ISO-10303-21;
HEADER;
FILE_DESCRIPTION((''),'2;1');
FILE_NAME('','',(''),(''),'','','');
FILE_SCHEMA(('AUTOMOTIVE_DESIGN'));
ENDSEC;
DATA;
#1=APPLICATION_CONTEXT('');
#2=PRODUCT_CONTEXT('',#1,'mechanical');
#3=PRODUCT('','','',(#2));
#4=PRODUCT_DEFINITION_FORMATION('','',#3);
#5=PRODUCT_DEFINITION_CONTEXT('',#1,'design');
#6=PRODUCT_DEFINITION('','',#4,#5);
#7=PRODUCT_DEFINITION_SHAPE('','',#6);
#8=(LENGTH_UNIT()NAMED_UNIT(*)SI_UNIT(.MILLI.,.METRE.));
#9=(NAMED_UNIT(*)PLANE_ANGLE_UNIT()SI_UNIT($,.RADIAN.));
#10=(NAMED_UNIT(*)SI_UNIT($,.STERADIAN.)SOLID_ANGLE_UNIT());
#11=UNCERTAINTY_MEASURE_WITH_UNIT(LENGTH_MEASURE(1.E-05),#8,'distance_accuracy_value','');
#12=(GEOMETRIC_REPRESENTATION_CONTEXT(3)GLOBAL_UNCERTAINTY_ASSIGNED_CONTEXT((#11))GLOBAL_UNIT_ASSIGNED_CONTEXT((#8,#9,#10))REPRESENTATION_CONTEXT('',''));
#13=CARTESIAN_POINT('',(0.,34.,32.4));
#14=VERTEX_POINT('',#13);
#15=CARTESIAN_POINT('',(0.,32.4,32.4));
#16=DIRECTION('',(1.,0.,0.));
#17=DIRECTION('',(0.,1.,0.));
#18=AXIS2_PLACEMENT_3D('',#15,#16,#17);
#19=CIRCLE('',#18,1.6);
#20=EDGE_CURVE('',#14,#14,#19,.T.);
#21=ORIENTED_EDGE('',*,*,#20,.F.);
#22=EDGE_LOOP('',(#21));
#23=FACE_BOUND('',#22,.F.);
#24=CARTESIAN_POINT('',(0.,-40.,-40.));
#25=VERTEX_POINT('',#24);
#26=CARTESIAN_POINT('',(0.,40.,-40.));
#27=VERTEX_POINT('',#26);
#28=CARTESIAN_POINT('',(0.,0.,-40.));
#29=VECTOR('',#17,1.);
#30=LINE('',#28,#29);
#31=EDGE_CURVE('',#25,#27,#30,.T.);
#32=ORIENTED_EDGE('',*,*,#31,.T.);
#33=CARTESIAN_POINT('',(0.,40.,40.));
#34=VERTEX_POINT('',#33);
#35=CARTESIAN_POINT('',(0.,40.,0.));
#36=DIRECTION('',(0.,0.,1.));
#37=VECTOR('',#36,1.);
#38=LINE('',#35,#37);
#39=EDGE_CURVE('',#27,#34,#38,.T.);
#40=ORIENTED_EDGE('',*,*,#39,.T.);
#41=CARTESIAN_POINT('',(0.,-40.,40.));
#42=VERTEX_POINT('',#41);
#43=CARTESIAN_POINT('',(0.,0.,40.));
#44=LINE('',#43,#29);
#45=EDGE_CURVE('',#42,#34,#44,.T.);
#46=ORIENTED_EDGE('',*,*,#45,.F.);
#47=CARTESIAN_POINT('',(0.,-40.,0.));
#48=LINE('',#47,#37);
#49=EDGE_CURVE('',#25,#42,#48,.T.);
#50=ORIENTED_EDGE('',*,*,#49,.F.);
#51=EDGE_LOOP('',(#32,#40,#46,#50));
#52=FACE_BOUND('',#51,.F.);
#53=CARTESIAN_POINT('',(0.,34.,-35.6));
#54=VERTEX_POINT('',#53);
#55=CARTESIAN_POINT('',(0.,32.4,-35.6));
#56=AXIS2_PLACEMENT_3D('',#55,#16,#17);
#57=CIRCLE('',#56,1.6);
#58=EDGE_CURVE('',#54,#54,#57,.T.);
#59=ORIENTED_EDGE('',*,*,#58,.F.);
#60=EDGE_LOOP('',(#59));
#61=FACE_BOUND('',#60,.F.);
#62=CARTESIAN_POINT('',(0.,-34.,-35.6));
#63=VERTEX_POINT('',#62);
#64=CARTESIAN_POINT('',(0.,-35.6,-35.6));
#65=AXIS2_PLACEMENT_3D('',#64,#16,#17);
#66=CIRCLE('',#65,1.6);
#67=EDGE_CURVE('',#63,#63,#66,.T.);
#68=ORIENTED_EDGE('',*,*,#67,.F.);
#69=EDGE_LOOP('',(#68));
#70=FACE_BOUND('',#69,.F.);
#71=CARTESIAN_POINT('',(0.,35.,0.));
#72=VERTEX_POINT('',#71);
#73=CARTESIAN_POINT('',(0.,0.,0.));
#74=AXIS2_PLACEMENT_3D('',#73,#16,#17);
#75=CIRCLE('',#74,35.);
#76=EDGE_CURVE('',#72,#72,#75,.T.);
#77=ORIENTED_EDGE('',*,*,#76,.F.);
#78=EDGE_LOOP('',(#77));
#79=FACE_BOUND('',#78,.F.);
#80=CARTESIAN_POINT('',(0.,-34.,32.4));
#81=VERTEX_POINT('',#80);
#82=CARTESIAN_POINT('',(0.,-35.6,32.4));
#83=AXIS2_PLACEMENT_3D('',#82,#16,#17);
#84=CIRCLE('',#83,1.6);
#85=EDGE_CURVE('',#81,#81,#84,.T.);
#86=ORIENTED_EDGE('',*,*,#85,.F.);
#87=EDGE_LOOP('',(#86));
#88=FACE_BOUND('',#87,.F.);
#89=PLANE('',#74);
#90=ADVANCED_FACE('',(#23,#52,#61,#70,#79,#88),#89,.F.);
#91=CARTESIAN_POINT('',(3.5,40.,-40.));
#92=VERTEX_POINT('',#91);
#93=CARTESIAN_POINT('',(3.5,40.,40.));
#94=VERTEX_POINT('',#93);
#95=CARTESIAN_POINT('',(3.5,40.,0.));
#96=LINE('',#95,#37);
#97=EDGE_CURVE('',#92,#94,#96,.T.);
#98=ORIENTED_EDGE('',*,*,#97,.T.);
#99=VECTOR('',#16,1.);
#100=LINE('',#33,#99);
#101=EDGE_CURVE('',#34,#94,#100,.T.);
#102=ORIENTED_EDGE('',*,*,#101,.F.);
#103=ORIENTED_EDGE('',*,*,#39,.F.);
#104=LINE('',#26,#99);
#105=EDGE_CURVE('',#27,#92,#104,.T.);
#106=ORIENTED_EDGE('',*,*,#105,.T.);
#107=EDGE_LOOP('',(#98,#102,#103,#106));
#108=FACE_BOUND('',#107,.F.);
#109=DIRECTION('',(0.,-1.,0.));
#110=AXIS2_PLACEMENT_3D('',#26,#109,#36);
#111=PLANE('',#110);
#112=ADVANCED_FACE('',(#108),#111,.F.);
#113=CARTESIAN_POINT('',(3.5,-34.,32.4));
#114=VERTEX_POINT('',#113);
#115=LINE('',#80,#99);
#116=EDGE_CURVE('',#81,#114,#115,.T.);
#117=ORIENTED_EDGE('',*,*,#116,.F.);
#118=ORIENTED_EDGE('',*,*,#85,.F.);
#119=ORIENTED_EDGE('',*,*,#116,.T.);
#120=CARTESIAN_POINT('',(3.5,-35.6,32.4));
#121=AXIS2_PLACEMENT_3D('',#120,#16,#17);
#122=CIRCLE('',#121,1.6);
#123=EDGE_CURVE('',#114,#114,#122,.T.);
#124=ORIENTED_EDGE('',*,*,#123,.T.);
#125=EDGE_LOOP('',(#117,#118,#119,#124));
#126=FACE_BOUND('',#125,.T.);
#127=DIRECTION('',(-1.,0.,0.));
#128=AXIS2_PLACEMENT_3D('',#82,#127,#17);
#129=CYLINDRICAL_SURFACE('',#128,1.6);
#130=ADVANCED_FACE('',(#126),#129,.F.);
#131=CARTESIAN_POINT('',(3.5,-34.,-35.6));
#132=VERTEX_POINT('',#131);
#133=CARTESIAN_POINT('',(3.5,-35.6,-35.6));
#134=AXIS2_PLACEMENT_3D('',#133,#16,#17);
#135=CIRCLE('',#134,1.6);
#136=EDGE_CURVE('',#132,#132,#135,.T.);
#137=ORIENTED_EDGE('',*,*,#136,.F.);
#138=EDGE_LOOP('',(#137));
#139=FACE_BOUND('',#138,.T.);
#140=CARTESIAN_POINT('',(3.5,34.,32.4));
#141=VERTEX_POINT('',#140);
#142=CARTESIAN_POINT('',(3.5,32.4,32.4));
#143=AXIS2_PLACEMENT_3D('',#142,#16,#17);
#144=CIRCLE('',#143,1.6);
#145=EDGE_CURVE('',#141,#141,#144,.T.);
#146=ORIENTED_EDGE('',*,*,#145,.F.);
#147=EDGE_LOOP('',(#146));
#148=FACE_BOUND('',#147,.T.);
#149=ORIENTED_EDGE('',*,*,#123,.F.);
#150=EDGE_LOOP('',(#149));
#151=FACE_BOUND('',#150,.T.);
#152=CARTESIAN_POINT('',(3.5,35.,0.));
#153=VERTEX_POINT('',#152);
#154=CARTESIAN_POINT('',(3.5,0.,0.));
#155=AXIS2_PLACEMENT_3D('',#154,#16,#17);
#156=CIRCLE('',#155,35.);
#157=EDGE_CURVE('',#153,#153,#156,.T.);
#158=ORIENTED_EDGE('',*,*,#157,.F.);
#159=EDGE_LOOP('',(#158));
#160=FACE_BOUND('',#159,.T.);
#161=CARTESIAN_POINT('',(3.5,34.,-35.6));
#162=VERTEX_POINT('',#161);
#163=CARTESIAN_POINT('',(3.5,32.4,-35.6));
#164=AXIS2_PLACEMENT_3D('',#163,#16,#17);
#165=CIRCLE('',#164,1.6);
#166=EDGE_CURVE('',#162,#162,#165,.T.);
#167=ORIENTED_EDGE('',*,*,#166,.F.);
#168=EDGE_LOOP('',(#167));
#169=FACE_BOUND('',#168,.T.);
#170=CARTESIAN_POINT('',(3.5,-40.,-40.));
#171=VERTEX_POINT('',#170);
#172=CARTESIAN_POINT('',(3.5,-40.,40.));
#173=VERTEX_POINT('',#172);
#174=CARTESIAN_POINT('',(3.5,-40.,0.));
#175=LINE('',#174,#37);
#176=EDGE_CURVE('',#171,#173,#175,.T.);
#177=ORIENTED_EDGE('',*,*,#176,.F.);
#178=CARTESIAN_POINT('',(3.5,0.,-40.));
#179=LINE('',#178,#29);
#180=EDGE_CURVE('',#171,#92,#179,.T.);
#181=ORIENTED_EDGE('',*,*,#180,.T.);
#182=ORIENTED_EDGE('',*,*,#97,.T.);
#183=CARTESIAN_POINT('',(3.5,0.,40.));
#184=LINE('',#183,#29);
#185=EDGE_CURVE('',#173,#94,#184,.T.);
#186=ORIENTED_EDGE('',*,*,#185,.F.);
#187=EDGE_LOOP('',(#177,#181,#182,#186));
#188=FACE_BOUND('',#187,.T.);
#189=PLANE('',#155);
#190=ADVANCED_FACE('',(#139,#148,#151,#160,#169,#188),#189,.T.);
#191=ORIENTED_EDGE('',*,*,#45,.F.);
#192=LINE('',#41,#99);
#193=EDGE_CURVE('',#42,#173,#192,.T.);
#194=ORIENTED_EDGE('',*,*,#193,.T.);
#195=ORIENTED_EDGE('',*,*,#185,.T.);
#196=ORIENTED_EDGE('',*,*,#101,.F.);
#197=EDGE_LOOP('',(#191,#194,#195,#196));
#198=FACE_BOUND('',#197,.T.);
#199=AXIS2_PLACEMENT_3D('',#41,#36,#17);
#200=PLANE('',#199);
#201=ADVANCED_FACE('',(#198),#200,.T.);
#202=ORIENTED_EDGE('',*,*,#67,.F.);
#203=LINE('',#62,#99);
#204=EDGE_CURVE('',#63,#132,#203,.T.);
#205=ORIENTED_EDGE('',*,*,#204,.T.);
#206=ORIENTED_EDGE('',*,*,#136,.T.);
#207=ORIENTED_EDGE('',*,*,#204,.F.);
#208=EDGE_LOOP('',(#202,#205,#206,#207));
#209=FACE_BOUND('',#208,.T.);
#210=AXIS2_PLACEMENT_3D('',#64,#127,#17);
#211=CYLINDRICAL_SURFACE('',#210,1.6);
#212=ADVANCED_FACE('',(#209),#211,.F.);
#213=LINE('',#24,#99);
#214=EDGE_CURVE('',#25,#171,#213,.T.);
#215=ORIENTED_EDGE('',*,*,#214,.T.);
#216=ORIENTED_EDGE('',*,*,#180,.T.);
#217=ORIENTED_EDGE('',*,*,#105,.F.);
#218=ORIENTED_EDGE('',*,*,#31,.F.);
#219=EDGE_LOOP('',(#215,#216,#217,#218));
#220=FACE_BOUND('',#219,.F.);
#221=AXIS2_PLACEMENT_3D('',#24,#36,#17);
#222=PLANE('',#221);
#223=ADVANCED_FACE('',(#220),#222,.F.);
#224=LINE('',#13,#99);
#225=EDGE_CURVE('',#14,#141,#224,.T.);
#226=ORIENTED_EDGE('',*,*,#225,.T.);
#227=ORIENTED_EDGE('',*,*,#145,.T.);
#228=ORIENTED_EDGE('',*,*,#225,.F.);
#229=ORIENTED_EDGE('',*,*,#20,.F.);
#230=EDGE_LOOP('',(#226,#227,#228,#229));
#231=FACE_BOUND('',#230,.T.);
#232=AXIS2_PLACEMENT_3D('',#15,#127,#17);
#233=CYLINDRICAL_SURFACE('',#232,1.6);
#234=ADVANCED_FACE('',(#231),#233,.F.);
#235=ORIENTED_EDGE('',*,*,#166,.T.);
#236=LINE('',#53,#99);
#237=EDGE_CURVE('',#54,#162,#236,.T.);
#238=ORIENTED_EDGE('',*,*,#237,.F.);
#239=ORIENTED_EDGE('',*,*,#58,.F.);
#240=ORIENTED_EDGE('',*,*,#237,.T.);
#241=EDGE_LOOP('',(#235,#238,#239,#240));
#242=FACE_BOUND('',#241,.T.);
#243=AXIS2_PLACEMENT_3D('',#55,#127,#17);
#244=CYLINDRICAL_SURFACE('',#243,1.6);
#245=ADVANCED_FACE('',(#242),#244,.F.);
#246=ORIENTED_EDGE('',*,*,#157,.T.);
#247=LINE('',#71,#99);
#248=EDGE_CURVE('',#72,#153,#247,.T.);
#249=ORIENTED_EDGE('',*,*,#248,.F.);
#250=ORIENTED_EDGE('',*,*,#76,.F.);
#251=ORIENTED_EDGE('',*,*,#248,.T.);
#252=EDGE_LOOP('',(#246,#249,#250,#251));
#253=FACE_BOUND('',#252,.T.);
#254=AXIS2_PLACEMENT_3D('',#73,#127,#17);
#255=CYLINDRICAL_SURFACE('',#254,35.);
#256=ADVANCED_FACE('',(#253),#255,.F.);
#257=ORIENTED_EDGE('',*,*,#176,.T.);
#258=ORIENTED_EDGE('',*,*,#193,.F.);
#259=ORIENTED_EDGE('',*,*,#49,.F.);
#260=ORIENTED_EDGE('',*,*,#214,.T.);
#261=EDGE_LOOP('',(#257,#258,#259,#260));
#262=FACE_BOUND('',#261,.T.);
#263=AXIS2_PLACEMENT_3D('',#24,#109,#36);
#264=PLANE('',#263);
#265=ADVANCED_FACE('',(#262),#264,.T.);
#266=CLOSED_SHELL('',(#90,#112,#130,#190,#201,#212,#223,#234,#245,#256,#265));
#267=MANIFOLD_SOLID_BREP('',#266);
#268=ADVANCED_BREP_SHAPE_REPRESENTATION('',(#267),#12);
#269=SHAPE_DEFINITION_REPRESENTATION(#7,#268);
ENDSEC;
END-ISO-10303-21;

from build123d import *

# Parameters (mm, degrees)
F0_W     = 80
F0_H     = 80
F0_R     = 1.6
F0_R_2   = 35
F1_DEPTH = 3.5


with BuildPart() as f1:
    # F0 (on Right) → F1 (new body)
    with BuildSketch(Plane.YZ):
        Rectangle(F0_W, F0_H)
        with Locations((-35.6, -35.6)):
            Circle(F0_R, mode=Mode.SUBTRACT)
        with Locations((32.4, -35.6)):
            Circle(F0_R, mode=Mode.SUBTRACT)
        with Locations((-35.6, 32.4)):
            Circle(F0_R, mode=Mode.SUBTRACT)
        Circle(F0_R_2, mode=Mode.SUBTRACT)
        with Locations((32.4, 32.4)):
            Circle(F0_R, mode=Mode.SUBTRACT)
    extrude(amount=F1_DEPTH)


solid = f1.part
